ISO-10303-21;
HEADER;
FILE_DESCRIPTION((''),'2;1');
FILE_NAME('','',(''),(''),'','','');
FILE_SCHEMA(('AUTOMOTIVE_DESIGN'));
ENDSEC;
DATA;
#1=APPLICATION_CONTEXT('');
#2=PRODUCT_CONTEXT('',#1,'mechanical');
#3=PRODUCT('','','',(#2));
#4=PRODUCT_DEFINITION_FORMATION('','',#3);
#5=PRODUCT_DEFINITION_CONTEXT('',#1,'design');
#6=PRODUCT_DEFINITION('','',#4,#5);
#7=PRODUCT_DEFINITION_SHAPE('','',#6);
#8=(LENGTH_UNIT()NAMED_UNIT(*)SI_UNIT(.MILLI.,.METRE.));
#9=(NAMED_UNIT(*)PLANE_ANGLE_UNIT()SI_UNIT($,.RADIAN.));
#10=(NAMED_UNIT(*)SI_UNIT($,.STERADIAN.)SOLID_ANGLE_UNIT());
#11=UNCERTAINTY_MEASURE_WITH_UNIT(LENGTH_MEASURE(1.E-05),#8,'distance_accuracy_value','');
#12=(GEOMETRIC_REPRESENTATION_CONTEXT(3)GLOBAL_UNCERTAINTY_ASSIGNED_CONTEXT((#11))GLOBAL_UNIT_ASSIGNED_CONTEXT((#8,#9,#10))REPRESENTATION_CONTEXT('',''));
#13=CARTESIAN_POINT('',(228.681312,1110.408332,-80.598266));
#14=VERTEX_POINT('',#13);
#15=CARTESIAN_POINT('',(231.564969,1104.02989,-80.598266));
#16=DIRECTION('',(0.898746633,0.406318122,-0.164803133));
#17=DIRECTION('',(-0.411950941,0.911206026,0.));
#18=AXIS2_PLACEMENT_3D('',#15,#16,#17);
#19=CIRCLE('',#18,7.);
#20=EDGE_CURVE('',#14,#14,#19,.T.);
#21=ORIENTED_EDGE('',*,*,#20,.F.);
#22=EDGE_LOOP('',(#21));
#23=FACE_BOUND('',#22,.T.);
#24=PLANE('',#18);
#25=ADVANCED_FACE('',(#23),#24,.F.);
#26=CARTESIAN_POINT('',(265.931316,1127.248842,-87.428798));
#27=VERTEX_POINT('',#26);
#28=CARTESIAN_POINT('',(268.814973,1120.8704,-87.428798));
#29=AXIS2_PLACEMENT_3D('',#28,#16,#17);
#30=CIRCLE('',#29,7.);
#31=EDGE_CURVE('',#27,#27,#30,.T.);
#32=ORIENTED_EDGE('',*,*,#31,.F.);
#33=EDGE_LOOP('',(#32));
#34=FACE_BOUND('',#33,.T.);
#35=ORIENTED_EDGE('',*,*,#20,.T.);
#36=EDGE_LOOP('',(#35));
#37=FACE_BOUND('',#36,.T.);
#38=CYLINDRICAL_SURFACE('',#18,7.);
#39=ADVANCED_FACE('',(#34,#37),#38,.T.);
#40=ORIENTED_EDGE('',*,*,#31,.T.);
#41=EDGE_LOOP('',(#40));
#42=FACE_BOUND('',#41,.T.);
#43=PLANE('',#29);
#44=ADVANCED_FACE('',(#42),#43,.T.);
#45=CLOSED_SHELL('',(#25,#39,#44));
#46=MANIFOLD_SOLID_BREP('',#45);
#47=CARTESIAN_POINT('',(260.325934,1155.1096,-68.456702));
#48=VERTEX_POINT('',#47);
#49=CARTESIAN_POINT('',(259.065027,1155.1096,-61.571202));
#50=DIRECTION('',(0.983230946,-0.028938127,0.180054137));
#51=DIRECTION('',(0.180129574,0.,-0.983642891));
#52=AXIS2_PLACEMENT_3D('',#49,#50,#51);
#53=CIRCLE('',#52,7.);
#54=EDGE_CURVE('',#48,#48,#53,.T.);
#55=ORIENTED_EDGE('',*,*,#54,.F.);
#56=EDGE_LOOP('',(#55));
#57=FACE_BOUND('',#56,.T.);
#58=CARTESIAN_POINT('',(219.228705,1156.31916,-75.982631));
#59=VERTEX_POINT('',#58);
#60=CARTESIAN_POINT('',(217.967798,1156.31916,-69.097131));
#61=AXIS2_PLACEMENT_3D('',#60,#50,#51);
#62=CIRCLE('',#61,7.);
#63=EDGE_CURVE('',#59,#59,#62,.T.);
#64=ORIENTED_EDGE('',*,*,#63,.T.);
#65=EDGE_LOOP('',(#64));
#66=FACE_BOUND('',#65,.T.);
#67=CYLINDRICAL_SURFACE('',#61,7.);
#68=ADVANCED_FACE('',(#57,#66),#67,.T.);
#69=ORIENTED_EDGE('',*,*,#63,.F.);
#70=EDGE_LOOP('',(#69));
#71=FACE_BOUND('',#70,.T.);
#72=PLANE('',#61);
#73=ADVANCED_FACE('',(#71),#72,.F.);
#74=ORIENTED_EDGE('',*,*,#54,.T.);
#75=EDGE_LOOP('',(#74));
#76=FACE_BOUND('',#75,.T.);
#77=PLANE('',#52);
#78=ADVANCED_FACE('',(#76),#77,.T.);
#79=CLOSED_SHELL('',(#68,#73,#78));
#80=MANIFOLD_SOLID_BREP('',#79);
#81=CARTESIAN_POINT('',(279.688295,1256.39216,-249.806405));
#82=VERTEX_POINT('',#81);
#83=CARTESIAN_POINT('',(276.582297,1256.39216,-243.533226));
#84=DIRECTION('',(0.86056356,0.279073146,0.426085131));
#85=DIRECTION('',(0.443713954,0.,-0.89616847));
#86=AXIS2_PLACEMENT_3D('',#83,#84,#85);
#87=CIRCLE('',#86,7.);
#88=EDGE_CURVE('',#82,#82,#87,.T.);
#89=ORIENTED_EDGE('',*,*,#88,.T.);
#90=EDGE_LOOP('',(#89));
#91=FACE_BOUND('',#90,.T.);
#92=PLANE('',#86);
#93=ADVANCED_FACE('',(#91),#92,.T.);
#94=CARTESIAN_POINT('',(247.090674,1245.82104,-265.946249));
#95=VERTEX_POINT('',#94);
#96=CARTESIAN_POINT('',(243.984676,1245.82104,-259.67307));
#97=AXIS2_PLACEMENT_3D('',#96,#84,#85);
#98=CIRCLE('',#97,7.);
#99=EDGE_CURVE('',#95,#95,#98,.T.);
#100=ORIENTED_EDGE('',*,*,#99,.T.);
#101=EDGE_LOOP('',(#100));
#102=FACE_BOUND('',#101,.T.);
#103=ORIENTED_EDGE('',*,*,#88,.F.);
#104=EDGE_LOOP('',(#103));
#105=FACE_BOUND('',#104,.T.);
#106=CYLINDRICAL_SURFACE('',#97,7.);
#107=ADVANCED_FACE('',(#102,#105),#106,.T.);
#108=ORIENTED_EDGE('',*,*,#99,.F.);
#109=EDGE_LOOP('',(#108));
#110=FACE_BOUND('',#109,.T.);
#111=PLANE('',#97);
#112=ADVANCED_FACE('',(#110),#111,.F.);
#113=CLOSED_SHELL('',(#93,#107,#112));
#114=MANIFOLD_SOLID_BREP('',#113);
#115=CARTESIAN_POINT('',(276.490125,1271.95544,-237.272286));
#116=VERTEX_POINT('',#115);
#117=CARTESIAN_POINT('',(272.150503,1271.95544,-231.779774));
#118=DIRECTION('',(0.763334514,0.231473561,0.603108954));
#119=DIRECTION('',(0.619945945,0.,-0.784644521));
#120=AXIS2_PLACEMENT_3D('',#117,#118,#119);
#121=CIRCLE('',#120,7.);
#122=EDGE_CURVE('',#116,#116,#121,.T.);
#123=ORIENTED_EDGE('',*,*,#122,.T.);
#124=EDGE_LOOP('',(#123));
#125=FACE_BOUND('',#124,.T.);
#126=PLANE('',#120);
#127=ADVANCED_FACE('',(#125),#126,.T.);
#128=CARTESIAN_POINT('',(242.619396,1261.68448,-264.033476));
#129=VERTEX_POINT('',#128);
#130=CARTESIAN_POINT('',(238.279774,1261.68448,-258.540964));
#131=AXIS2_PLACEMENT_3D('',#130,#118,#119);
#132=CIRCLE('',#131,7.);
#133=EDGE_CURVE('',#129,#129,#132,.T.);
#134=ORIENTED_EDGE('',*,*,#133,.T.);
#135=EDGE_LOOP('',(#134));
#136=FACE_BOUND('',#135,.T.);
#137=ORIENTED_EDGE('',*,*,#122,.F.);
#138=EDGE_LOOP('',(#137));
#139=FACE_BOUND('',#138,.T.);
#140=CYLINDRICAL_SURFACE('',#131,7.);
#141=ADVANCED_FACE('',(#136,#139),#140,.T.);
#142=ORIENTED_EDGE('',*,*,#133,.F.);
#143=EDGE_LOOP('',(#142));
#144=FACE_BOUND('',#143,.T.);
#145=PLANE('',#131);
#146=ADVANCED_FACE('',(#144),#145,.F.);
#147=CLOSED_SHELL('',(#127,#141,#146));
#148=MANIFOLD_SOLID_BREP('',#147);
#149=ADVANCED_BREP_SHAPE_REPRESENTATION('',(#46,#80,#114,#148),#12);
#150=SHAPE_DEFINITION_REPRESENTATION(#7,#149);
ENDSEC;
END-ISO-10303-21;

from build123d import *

# Parameters (mm, degrees)
SUSP_RR_ROCKER_BRACKET_A_PROFILE_R   = 7
SUSP_RR_ROCKER_BRACKET_B_PROFILE_R   = 7
SUSP_RR_COILOVER_BRACKET_A_PROFILE_R = 7
SUSP_RR_COILOVER_BRACKET_B_PROFILE_R = 7


with BuildPart() as part:
    # SUSP_RR_rocker_bracket_a: sweep along a curve in space
    with BuildLine() as susp_rr_rocker_bracket_a_path:
        Line((217.967798, 1156.31916, -69.0971306), (259.065027, 1155.1096, -61.5712018))
    # SUSP_RR_rocker_bracket_a profile (on start of the path) → SUSP_RR_rocker_bracket_a (sweep)
    with BuildSketch(Plane(origin=(217.967798, 1156.31916, -69.0971306), x_dir=(-0.18012957419404588, 0, 0.9836428907386419), z_dir=(0.9832309457336401, -0.028938126770580858, 0.18005413677764104))):
        Circle(SUSP_RR_ROCKER_BRACKET_A_PROFILE_R)
    sweep(path=susp_rr_rocker_bracket_a_path.line)


with BuildPart() as body_2:
    # SUSP_RR_rocker_bracket_b: sweep along a curve in space
    with BuildLine() as susp_rr_rocker_bracket_b_path:
        Line((231.564969, 1104.02989, -80.5982665), (268.814973, 1120.8704, -87.4287982))
    # SUSP_RR_rocker_bracket_b profile (on start of the path) → SUSP_RR_rocker_bracket_b (sweep)
    with BuildSketch(Plane(origin=(231.564969, 1104.02989, -80.5982665), x_dir=(-0.41195094092127316, 0.9112060262498695, 0), z_dir=(0.8987466334179565, 0.4063181219401058, -0.16480313317092873))):
        Circle(SUSP_RR_ROCKER_BRACKET_B_PROFILE_R)
    sweep(path=susp_rr_rocker_bracket_b_path.line)


with BuildPart() as body_3:
    # SUSP_RR_coilover_bracket_a: sweep along a curve in space
    with BuildLine() as susp_rr_coilover_bracket_a_path:
        Line((238.279774, 1261.68448, -258.540964), (272.150503, 1271.95544, -231.779774))
    # SUSP_RR_coilover_bracket_a profile (on start of the path) → SUSP_RR_coilover_bracket_a (sweep)
    with BuildSketch(Plane(origin=(238.279774, 1261.68448, -258.540964), x_dir=(-0.6199459454957336, 0, 0.7846445212090639), z_dir=(0.7633345136071678, 0.2314735610172051, 0.6031089544071807))):
        Circle(SUSP_RR_COILOVER_BRACKET_A_PROFILE_R)
    sweep(path=susp_rr_coilover_bracket_a_path.line)


with BuildPart() as body_4:
    # SUSP_RR_coilover_bracket_b: sweep along a curve in space
    with BuildLine() as susp_rr_coilover_bracket_b_path:
        Line((243.984676, 1245.82104, -259.67307), (276.582297, 1256.39216, -243.533226))
    # SUSP_RR_coilover_bracket_b profile (on start of the path) → SUSP_RR_coilover_bracket_b (sweep)
    with BuildSketch(Plane(origin=(243.984676, 1245.82104, -259.67307), x_dir=(-0.4437139540554131, 0, 0.8961684701977138), z_dir=(0.8605635597184917, 0.2790731463934563, 0.42608513075052806))):
        Circle(SUSP_RR_COILOVER_BRACKET_B_PROFILE_R)
    sweep(path=susp_rr_coilover_bracket_b_path.line)


solid = Compound([part.part, body_2.part, body_3.part, body_4.part])
